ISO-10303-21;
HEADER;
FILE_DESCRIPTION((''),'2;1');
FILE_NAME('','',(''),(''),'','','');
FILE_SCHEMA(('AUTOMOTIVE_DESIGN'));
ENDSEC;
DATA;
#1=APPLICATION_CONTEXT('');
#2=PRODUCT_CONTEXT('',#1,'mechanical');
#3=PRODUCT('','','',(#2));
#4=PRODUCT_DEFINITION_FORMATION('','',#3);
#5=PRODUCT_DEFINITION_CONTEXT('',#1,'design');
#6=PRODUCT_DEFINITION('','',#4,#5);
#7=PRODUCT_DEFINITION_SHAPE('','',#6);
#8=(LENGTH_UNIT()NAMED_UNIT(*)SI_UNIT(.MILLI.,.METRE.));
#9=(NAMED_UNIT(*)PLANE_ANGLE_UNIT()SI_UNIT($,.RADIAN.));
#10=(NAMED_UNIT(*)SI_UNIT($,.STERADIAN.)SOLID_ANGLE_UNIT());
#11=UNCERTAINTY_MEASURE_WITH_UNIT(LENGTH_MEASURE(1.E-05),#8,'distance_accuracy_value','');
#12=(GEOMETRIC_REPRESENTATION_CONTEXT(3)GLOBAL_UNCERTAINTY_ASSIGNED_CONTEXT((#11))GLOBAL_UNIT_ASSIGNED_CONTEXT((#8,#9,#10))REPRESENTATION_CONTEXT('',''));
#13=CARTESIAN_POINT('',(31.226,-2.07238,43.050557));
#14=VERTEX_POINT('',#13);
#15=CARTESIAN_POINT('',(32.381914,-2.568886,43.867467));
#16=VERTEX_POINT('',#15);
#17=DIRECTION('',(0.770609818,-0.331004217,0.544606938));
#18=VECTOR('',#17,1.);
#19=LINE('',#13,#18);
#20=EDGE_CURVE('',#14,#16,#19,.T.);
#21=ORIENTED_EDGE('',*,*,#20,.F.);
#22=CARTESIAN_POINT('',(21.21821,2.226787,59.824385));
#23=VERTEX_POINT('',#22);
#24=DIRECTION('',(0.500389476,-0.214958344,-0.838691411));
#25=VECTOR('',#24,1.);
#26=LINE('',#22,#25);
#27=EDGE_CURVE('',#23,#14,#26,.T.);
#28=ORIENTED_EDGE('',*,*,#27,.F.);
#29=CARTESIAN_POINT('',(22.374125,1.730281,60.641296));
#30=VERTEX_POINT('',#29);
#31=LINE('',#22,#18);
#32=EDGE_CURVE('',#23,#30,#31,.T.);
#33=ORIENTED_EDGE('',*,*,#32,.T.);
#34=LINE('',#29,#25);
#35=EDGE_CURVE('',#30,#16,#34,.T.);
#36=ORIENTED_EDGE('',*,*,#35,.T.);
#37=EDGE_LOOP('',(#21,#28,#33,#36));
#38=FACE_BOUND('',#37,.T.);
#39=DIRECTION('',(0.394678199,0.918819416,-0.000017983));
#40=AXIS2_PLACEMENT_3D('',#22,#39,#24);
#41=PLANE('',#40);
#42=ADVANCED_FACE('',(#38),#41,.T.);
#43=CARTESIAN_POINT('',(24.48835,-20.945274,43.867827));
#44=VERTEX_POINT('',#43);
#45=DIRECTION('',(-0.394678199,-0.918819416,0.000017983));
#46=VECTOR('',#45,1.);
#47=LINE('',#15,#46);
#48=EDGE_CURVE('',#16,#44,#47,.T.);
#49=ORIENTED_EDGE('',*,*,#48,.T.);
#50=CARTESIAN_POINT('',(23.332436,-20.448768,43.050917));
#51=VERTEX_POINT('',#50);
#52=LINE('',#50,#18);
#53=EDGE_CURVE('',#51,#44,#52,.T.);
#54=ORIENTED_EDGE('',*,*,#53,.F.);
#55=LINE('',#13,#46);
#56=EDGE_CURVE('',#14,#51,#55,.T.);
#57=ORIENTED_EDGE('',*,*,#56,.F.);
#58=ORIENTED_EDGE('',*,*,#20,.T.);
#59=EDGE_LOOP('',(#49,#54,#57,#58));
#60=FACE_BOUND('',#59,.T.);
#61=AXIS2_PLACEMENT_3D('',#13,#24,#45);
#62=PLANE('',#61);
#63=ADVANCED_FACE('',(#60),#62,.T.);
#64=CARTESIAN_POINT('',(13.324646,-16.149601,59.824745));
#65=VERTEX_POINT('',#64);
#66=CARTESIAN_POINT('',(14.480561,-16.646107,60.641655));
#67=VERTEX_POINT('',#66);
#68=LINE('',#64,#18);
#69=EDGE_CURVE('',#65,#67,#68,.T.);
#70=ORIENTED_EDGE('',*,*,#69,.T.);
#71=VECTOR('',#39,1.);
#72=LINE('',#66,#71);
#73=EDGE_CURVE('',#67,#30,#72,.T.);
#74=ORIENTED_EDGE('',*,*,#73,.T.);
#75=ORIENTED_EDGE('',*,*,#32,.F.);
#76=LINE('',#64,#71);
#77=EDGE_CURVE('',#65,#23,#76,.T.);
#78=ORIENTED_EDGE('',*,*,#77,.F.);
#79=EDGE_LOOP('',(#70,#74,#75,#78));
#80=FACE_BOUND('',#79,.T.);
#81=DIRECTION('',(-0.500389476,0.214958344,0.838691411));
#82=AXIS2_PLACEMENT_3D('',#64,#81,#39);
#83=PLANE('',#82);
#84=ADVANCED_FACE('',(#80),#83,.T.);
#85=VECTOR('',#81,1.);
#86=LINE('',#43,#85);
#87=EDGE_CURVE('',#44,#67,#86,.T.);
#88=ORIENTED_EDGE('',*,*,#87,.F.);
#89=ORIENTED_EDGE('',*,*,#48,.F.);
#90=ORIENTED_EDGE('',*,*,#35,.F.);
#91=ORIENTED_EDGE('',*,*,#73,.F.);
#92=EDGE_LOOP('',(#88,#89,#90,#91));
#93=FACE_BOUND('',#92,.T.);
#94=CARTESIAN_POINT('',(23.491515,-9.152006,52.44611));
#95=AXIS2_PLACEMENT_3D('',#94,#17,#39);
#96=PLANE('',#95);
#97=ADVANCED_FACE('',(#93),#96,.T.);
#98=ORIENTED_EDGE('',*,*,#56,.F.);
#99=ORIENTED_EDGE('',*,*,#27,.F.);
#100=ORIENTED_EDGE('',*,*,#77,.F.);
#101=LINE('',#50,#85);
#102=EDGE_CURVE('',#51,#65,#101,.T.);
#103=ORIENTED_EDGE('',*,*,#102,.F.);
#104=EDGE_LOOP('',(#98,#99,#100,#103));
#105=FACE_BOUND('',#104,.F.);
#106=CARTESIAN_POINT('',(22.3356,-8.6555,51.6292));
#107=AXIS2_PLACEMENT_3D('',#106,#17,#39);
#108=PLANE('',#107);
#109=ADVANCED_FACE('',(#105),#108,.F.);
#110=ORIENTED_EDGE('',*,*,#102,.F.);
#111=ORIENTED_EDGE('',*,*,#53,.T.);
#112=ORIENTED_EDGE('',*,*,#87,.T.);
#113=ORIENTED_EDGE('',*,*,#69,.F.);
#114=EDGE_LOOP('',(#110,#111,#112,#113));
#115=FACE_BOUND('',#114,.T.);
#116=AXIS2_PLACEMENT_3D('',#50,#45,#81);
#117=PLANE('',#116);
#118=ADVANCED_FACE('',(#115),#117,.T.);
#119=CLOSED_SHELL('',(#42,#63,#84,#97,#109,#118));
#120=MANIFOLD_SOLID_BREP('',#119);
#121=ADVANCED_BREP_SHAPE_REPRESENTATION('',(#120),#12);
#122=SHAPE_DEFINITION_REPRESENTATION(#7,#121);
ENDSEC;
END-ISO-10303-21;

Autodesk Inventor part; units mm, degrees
ref_plane "YZ Plane" through (0, 0, 0) normal (1, 0, 0) x (0, 1, 0)
ref_plane "XZ Plane" through (0, 0, 0) normal (0, 1, 0) x (-1, 0, 0)
ref_plane "XY Plane" through (0, 0, 0) normal (0, 0, 1) x (1, 0, 0)
ref_plane "Płaszczyzna konstrukcyjna2" through (-0.2061, -0.0302, -10) normal (0, 0, -1) x (-1, 0.0039, 0)
sketch "Szkic1" plane through (-0.2061, -0.0302, -10) normal (0, 0, -1) x (-1, 0.0039, 0)
  point P0 (-0.2059, 0.031)
  point P1 (-0.19, 0.975)
ref_plane "Płaszczyzna konstrukcyjna3" through (-0.0123, 0.9441, -3) normal (0.3947, 0.9188, 0) x (0.9188, -0.3947, 0)
sketch "Szkic2" plane through (-0.0123, 0.9441, -3) normal (0.3947, 0.9188, 0) x (0.9188, -0.3947, 0)
  line L0 (0, 0) -> (20.3949, -13.2446) construction
  line L1 (0, 0) -> (24.6472, -55.3585) construction
  line L2 (52.9977, 0) -> (-13.0183, 0) construction
  point P0 (0.3839, -3)
  point P1 (24.3225, -54.6292)
  dimension "d0" = 33
  dimension "d1" = 66
ref_plane "Płaszczyzna konstrukcyjna4" through (22.3356, -8.6555, 51.6292) normal (0.7706, -0.331, 0.5446) x (0.3947, 0.9188, 0)
sketch "Szkic3" plane through (22.3356, -8.6555, 51.6292) normal (0.7706, -0.331, 0.5446) x (0.3947, 0.9188, 0)
  line L0 (-10.4423, 9.7716) -> (9.5577, 9.7716)
  line L1 (9.5577, 9.7716) -> (9.5577, -10.2284)
  line L2 (9.5577, -10.2284) -> (-10.4423, -10.2284)
  line L3 (-10.4423, -10.2284) -> (-10.4423, 9.7716)
  point P0 (-0.8626, -30.262)
  dimension "d2" = 20
  dimension "d3" = 20
extrude "Wyciągnięcie proste1" add sketch "Szkic3" along normal blind 1.5
